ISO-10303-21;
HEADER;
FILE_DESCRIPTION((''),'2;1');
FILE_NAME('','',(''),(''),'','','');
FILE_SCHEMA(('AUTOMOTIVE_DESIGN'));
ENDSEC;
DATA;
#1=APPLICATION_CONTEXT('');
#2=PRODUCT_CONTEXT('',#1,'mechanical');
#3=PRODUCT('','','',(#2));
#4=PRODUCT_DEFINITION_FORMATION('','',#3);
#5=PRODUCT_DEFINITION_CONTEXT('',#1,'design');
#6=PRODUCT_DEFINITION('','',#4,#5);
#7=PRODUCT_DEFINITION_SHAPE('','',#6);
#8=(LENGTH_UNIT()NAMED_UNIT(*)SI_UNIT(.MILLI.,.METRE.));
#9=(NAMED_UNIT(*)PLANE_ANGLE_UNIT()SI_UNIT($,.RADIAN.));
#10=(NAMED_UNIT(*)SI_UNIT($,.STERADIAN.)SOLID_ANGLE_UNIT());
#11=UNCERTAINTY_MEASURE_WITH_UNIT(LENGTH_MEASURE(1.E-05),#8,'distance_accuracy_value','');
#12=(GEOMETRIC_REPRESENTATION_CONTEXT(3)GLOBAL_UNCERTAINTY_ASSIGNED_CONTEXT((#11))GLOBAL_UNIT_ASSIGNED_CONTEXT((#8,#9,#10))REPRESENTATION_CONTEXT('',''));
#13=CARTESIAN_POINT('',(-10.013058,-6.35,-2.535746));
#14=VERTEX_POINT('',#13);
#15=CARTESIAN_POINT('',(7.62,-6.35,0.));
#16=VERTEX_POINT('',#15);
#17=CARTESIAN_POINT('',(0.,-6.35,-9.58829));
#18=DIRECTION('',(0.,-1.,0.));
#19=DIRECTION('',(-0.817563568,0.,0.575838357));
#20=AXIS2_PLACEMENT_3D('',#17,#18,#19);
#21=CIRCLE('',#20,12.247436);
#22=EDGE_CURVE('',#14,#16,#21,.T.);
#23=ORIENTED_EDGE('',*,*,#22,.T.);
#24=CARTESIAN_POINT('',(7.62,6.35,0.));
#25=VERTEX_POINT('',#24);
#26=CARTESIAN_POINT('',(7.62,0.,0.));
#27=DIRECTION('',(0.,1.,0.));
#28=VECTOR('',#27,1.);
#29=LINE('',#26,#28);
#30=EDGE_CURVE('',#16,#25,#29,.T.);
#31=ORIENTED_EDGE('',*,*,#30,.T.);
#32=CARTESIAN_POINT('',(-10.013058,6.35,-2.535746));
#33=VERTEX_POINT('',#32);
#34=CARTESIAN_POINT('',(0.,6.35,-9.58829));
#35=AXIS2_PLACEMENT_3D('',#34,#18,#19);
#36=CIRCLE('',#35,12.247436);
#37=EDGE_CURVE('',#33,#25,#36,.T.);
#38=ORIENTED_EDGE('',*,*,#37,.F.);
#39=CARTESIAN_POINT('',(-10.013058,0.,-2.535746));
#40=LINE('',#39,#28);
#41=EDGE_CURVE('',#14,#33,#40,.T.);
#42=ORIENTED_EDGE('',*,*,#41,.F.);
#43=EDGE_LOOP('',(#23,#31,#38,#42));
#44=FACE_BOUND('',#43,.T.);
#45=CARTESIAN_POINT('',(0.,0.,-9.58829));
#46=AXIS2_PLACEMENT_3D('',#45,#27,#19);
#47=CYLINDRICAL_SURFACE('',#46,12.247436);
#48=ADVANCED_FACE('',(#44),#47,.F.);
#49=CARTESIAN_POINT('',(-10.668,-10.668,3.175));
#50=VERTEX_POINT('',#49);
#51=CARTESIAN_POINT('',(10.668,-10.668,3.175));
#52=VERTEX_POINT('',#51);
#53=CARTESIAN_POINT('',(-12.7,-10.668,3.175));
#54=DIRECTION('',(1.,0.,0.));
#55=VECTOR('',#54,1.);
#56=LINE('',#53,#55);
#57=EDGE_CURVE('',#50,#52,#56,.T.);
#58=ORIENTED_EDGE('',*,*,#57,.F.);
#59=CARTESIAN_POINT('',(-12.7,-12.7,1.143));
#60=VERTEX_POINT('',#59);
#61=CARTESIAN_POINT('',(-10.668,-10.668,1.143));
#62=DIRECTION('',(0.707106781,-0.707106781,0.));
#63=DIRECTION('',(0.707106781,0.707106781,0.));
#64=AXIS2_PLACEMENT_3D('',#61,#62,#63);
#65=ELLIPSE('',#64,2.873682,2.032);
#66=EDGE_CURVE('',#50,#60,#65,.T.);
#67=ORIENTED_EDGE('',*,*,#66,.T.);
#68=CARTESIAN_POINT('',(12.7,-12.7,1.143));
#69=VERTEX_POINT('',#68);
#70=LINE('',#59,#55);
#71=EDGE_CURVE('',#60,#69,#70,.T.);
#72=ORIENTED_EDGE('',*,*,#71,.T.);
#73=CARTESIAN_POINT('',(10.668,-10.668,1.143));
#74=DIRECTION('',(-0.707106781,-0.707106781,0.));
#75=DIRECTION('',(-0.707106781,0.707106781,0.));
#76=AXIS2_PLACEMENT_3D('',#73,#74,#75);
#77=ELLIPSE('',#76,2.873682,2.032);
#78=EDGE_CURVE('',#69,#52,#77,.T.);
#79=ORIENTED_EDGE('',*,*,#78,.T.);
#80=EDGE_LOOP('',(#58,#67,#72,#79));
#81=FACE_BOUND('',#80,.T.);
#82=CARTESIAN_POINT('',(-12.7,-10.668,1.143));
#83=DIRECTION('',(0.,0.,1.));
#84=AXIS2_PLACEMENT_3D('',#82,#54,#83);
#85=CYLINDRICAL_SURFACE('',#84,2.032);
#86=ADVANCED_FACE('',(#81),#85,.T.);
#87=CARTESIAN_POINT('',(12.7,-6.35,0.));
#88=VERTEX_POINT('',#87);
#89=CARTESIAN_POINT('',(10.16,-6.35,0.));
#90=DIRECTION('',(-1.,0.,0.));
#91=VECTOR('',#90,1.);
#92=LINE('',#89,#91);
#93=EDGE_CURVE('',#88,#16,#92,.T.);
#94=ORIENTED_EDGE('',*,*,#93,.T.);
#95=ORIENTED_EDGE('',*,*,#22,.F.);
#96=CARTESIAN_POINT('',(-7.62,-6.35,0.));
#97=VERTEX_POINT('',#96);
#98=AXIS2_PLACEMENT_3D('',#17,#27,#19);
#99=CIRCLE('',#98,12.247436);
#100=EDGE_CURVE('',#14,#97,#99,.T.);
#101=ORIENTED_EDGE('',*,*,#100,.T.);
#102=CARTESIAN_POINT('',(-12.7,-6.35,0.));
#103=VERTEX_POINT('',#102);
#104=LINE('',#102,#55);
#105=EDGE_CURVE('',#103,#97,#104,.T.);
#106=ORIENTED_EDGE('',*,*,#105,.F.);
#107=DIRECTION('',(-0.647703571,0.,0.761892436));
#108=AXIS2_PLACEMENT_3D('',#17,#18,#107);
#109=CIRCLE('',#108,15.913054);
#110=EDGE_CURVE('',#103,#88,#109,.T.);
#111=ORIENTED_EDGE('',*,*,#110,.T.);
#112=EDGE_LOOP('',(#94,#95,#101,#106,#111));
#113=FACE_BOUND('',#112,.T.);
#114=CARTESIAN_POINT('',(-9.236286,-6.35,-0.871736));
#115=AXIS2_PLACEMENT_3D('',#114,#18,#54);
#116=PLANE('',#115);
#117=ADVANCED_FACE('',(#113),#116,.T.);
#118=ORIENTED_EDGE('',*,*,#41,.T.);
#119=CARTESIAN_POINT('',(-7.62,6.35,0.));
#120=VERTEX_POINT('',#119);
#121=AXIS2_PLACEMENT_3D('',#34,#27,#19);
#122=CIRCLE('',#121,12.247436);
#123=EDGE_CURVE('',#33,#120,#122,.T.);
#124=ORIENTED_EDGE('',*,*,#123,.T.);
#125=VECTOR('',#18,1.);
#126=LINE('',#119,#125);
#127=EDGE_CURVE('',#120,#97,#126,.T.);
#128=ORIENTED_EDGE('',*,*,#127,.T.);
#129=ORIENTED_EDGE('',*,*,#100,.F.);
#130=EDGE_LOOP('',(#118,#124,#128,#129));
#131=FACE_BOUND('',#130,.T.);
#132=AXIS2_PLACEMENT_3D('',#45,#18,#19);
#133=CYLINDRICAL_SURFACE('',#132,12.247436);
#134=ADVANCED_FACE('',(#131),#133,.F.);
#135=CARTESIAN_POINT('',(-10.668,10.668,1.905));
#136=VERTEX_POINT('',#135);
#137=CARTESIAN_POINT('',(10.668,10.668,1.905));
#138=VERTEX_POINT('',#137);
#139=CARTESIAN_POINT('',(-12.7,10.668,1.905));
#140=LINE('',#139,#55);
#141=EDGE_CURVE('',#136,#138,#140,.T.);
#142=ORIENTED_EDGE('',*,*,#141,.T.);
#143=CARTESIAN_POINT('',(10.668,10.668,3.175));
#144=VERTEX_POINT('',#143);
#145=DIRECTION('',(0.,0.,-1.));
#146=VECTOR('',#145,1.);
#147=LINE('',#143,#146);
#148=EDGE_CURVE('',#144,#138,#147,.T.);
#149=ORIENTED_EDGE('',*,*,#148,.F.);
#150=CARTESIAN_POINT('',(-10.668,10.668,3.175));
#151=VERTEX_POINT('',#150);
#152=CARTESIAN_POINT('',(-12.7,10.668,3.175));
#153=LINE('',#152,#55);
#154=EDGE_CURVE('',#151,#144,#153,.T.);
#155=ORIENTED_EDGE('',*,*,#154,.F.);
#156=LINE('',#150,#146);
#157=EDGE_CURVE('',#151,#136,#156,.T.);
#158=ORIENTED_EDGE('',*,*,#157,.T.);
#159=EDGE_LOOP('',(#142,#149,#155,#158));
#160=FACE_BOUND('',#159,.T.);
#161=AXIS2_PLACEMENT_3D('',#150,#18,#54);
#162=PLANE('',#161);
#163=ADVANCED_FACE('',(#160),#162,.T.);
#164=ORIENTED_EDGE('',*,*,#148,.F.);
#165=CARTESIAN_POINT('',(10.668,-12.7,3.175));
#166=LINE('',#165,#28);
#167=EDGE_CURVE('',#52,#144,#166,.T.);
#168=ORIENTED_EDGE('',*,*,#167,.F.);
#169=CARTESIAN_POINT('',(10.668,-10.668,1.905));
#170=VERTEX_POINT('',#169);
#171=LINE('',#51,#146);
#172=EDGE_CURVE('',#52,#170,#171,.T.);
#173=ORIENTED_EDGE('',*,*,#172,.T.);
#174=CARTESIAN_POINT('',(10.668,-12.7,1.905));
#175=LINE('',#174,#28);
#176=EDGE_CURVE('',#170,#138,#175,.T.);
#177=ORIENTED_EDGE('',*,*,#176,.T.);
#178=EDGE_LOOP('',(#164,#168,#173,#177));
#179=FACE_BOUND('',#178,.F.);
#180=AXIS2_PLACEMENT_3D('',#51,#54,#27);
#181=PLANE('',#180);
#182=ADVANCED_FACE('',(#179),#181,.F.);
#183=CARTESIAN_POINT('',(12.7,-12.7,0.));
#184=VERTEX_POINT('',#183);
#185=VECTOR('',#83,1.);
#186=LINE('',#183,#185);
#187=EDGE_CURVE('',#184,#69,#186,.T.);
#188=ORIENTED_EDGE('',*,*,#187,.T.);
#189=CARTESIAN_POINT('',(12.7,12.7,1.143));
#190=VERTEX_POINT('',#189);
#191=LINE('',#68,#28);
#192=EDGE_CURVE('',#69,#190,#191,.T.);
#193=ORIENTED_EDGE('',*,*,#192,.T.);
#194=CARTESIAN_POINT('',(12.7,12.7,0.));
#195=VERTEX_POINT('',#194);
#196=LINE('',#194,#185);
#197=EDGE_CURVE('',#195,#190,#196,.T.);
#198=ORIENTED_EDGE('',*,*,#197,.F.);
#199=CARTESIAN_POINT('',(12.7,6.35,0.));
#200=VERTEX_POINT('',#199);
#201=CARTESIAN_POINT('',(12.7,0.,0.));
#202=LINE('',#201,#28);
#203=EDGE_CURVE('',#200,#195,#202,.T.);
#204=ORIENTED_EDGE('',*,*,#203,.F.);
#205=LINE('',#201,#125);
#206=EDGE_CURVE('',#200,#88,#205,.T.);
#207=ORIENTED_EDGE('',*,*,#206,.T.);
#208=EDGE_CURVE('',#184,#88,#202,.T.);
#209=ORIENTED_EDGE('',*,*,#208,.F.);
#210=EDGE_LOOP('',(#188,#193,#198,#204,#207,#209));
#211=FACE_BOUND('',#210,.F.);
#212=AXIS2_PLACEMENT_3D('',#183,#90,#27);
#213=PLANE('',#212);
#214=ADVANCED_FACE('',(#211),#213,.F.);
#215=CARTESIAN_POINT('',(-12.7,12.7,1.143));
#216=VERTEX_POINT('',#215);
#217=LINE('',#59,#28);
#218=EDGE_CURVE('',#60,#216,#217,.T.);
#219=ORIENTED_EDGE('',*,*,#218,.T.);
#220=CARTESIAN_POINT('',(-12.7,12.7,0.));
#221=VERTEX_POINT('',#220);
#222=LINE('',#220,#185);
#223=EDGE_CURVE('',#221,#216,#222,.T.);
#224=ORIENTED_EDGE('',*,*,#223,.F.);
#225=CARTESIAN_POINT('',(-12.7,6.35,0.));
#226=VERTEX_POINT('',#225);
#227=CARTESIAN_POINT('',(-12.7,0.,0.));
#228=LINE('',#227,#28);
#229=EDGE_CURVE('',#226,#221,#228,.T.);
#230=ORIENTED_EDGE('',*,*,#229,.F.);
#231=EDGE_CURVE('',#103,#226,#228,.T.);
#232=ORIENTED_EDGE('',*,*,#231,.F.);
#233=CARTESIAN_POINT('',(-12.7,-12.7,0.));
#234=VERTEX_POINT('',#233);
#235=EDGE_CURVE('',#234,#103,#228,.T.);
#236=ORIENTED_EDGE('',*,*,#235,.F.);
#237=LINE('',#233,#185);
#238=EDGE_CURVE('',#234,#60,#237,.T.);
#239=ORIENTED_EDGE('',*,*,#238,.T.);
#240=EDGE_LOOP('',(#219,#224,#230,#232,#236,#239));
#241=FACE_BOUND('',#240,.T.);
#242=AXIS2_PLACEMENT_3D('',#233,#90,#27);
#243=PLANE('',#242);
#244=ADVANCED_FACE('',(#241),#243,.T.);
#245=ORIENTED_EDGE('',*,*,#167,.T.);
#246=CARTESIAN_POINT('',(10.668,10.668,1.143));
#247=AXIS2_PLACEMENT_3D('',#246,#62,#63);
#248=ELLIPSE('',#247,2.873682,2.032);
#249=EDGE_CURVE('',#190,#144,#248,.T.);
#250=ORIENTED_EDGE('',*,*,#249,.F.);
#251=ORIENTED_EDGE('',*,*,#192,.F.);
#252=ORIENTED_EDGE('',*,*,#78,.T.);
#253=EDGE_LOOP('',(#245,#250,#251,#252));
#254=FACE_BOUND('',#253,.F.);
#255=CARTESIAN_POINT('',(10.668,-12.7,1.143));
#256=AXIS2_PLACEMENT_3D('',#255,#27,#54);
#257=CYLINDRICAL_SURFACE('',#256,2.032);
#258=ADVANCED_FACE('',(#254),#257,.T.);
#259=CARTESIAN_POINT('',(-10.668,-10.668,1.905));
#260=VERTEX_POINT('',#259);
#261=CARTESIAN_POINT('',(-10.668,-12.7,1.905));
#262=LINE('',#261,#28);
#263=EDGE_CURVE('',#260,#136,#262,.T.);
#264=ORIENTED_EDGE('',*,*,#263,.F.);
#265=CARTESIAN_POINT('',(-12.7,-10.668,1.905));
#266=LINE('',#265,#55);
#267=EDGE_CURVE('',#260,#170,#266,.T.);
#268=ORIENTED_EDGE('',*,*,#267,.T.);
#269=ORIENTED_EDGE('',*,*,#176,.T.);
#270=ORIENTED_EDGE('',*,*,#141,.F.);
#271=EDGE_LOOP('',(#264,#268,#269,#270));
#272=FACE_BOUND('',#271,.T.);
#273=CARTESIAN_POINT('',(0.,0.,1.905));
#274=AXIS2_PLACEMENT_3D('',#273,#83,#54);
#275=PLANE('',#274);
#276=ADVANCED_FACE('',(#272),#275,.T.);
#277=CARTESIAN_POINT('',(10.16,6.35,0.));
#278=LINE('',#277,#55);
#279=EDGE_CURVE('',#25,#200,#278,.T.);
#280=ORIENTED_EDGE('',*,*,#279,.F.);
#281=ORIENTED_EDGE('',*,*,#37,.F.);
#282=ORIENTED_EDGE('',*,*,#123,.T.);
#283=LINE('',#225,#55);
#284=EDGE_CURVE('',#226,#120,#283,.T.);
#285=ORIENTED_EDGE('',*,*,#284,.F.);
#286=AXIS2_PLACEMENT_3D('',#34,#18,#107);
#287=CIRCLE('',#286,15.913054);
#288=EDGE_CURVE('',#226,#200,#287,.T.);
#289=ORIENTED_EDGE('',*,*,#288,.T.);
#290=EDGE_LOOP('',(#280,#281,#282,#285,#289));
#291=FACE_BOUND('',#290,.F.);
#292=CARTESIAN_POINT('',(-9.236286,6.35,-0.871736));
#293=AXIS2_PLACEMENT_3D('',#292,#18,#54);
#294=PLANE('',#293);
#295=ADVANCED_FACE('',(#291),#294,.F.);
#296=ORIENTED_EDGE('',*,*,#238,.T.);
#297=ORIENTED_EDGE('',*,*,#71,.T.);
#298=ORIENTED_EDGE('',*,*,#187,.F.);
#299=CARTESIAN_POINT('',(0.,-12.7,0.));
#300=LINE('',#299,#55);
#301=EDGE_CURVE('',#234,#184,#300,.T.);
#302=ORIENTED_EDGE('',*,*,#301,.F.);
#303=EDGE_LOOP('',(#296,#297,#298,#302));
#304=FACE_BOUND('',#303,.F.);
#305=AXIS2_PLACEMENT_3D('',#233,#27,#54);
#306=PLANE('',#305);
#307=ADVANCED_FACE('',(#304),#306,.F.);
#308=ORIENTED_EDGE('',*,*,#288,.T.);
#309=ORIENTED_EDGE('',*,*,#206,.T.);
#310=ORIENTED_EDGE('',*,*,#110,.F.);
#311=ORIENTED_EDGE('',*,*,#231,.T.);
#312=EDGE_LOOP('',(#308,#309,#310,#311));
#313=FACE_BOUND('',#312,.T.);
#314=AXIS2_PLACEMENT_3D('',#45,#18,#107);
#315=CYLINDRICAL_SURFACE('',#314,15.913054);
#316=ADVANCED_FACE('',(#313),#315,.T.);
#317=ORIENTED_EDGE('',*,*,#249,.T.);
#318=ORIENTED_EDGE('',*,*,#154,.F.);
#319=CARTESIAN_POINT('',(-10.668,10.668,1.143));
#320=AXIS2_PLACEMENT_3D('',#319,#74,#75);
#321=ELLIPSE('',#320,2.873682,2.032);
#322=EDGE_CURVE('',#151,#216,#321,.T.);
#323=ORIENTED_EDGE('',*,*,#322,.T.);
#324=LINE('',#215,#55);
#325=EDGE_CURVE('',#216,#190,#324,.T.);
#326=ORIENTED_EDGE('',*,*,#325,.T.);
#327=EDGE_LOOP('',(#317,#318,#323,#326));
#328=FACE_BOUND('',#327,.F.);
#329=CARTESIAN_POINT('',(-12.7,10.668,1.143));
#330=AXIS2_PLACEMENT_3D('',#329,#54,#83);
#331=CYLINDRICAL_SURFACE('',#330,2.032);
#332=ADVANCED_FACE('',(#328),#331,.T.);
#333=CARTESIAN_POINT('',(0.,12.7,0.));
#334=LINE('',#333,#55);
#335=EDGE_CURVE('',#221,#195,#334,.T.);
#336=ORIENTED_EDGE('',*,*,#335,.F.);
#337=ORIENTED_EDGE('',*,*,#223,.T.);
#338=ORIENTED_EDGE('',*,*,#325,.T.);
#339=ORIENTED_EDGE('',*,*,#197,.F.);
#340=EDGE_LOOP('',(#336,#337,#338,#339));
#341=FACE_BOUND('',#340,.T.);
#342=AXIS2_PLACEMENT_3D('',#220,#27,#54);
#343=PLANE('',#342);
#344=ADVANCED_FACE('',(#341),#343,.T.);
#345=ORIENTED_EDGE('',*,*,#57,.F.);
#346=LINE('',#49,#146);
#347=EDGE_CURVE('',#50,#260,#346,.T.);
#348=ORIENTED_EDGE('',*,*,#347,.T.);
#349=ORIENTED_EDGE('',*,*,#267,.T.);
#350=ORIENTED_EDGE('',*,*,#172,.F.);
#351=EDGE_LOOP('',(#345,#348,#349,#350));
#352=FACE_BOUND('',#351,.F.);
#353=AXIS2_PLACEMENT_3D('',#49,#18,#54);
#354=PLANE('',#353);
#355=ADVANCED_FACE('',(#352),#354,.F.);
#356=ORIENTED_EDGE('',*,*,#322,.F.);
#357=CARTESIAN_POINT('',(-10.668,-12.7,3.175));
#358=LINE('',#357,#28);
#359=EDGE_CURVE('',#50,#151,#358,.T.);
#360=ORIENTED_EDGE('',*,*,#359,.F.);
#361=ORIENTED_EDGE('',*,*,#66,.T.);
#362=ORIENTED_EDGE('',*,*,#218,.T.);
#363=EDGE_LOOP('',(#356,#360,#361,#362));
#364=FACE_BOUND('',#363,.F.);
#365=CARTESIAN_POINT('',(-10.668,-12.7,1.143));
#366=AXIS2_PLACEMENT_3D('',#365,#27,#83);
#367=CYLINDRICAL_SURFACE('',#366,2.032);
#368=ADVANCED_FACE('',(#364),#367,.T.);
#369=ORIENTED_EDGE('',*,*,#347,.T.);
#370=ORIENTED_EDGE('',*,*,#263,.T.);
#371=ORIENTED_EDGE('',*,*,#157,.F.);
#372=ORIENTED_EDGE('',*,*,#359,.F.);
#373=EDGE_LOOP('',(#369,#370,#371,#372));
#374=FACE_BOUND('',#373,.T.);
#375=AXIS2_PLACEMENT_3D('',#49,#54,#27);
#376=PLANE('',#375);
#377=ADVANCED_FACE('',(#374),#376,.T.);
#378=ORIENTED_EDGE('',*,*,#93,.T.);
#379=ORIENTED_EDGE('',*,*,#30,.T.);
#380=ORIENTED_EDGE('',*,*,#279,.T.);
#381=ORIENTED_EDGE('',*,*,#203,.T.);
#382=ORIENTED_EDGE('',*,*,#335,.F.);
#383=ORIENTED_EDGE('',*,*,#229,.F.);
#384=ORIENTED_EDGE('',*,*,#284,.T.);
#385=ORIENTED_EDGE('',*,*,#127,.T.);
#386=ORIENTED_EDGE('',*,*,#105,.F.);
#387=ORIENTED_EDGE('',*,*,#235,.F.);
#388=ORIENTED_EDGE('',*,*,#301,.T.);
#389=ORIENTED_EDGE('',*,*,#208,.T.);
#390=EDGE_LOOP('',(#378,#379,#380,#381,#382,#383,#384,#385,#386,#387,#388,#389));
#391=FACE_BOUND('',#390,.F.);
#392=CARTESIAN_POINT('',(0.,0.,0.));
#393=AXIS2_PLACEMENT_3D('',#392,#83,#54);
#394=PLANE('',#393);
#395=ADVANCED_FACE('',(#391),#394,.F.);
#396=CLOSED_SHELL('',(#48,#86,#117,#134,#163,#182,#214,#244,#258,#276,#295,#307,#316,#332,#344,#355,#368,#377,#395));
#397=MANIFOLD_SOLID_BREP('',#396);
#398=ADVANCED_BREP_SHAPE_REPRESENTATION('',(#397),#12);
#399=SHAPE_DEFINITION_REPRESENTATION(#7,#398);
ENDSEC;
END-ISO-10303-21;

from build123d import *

# Parameters (mm, degrees)
F0_W     = 25.4
F0_H     = 25.4
F1_DEPTH = 3.175
F3_W     = 5.08
F3_H     = 12.7
F7_DEPTH = 6.35
F8_R     = 2.032
F9_DEPTH = 1.27


with BuildPart() as f1:
    # F0 (on Top) → F1 (new body)
    with BuildSketch(Plane.XY):
        Rectangle(F0_W, F0_H)
    extrude(amount=F1_DEPTH)



with BuildPart() as f4:
    # F4: sweep along a path in F2
    with BuildLine(Plane.XZ) as f4_path:
        ThreePointArc((-10.16, 0), (0, -23.5582897328), (10.16, 0))
    # F3 (on face) → F4 (sweep)
    with BuildSketch(Plane(origin=(0, 0, 0), x_dir=(1, 0, 0), z_dir=(0, 0, -1))):
        with Locations((10.16, 0)):
            Rectangle(F3_W, F3_H)
    sweep(path=f4_path.line)


with BuildPart() as f1_1:
    add(f1.part)

    add(f4.part)  # F7 merges F4
    # F6 (on Front) → F7 (join, symmetric)
    with BuildSketch(Plane.XZ):
        with BuildLine():
            ThreePointArc((-10.0130578512, -2.535746045), (-8.9072265211, -1.1822790439), (-7.62, 0))
            Line((-7.62, 0), (-10.16, 0))
            Line((-10.16, 0), (-10.0130578512, -2.535746045))
        make_face()
    extrude(amount=F7_DEPTH, both=True)

    # F8
    f8_edges = [f1_1.edges().sort_by_distance(p)[0] for p in [
        (-12.7, 0, 3.175),
        (12.7, 0, 3.175),
        (0, -12.7, 3.175),
        (0, 12.7, 3.175),
    ]]
    fillet(f8_edges, radius=F8_R)

    # F9 (cut): a face of the model
    f9_faces = [f1_1.faces().sort_by_distance(p)[0] for p in [
        (0, 0, 3.175),
    ]]
    extrude(f9_faces, amount=-F9_DEPTH, mode=Mode.SUBTRACT)


solid = f1_1.part
